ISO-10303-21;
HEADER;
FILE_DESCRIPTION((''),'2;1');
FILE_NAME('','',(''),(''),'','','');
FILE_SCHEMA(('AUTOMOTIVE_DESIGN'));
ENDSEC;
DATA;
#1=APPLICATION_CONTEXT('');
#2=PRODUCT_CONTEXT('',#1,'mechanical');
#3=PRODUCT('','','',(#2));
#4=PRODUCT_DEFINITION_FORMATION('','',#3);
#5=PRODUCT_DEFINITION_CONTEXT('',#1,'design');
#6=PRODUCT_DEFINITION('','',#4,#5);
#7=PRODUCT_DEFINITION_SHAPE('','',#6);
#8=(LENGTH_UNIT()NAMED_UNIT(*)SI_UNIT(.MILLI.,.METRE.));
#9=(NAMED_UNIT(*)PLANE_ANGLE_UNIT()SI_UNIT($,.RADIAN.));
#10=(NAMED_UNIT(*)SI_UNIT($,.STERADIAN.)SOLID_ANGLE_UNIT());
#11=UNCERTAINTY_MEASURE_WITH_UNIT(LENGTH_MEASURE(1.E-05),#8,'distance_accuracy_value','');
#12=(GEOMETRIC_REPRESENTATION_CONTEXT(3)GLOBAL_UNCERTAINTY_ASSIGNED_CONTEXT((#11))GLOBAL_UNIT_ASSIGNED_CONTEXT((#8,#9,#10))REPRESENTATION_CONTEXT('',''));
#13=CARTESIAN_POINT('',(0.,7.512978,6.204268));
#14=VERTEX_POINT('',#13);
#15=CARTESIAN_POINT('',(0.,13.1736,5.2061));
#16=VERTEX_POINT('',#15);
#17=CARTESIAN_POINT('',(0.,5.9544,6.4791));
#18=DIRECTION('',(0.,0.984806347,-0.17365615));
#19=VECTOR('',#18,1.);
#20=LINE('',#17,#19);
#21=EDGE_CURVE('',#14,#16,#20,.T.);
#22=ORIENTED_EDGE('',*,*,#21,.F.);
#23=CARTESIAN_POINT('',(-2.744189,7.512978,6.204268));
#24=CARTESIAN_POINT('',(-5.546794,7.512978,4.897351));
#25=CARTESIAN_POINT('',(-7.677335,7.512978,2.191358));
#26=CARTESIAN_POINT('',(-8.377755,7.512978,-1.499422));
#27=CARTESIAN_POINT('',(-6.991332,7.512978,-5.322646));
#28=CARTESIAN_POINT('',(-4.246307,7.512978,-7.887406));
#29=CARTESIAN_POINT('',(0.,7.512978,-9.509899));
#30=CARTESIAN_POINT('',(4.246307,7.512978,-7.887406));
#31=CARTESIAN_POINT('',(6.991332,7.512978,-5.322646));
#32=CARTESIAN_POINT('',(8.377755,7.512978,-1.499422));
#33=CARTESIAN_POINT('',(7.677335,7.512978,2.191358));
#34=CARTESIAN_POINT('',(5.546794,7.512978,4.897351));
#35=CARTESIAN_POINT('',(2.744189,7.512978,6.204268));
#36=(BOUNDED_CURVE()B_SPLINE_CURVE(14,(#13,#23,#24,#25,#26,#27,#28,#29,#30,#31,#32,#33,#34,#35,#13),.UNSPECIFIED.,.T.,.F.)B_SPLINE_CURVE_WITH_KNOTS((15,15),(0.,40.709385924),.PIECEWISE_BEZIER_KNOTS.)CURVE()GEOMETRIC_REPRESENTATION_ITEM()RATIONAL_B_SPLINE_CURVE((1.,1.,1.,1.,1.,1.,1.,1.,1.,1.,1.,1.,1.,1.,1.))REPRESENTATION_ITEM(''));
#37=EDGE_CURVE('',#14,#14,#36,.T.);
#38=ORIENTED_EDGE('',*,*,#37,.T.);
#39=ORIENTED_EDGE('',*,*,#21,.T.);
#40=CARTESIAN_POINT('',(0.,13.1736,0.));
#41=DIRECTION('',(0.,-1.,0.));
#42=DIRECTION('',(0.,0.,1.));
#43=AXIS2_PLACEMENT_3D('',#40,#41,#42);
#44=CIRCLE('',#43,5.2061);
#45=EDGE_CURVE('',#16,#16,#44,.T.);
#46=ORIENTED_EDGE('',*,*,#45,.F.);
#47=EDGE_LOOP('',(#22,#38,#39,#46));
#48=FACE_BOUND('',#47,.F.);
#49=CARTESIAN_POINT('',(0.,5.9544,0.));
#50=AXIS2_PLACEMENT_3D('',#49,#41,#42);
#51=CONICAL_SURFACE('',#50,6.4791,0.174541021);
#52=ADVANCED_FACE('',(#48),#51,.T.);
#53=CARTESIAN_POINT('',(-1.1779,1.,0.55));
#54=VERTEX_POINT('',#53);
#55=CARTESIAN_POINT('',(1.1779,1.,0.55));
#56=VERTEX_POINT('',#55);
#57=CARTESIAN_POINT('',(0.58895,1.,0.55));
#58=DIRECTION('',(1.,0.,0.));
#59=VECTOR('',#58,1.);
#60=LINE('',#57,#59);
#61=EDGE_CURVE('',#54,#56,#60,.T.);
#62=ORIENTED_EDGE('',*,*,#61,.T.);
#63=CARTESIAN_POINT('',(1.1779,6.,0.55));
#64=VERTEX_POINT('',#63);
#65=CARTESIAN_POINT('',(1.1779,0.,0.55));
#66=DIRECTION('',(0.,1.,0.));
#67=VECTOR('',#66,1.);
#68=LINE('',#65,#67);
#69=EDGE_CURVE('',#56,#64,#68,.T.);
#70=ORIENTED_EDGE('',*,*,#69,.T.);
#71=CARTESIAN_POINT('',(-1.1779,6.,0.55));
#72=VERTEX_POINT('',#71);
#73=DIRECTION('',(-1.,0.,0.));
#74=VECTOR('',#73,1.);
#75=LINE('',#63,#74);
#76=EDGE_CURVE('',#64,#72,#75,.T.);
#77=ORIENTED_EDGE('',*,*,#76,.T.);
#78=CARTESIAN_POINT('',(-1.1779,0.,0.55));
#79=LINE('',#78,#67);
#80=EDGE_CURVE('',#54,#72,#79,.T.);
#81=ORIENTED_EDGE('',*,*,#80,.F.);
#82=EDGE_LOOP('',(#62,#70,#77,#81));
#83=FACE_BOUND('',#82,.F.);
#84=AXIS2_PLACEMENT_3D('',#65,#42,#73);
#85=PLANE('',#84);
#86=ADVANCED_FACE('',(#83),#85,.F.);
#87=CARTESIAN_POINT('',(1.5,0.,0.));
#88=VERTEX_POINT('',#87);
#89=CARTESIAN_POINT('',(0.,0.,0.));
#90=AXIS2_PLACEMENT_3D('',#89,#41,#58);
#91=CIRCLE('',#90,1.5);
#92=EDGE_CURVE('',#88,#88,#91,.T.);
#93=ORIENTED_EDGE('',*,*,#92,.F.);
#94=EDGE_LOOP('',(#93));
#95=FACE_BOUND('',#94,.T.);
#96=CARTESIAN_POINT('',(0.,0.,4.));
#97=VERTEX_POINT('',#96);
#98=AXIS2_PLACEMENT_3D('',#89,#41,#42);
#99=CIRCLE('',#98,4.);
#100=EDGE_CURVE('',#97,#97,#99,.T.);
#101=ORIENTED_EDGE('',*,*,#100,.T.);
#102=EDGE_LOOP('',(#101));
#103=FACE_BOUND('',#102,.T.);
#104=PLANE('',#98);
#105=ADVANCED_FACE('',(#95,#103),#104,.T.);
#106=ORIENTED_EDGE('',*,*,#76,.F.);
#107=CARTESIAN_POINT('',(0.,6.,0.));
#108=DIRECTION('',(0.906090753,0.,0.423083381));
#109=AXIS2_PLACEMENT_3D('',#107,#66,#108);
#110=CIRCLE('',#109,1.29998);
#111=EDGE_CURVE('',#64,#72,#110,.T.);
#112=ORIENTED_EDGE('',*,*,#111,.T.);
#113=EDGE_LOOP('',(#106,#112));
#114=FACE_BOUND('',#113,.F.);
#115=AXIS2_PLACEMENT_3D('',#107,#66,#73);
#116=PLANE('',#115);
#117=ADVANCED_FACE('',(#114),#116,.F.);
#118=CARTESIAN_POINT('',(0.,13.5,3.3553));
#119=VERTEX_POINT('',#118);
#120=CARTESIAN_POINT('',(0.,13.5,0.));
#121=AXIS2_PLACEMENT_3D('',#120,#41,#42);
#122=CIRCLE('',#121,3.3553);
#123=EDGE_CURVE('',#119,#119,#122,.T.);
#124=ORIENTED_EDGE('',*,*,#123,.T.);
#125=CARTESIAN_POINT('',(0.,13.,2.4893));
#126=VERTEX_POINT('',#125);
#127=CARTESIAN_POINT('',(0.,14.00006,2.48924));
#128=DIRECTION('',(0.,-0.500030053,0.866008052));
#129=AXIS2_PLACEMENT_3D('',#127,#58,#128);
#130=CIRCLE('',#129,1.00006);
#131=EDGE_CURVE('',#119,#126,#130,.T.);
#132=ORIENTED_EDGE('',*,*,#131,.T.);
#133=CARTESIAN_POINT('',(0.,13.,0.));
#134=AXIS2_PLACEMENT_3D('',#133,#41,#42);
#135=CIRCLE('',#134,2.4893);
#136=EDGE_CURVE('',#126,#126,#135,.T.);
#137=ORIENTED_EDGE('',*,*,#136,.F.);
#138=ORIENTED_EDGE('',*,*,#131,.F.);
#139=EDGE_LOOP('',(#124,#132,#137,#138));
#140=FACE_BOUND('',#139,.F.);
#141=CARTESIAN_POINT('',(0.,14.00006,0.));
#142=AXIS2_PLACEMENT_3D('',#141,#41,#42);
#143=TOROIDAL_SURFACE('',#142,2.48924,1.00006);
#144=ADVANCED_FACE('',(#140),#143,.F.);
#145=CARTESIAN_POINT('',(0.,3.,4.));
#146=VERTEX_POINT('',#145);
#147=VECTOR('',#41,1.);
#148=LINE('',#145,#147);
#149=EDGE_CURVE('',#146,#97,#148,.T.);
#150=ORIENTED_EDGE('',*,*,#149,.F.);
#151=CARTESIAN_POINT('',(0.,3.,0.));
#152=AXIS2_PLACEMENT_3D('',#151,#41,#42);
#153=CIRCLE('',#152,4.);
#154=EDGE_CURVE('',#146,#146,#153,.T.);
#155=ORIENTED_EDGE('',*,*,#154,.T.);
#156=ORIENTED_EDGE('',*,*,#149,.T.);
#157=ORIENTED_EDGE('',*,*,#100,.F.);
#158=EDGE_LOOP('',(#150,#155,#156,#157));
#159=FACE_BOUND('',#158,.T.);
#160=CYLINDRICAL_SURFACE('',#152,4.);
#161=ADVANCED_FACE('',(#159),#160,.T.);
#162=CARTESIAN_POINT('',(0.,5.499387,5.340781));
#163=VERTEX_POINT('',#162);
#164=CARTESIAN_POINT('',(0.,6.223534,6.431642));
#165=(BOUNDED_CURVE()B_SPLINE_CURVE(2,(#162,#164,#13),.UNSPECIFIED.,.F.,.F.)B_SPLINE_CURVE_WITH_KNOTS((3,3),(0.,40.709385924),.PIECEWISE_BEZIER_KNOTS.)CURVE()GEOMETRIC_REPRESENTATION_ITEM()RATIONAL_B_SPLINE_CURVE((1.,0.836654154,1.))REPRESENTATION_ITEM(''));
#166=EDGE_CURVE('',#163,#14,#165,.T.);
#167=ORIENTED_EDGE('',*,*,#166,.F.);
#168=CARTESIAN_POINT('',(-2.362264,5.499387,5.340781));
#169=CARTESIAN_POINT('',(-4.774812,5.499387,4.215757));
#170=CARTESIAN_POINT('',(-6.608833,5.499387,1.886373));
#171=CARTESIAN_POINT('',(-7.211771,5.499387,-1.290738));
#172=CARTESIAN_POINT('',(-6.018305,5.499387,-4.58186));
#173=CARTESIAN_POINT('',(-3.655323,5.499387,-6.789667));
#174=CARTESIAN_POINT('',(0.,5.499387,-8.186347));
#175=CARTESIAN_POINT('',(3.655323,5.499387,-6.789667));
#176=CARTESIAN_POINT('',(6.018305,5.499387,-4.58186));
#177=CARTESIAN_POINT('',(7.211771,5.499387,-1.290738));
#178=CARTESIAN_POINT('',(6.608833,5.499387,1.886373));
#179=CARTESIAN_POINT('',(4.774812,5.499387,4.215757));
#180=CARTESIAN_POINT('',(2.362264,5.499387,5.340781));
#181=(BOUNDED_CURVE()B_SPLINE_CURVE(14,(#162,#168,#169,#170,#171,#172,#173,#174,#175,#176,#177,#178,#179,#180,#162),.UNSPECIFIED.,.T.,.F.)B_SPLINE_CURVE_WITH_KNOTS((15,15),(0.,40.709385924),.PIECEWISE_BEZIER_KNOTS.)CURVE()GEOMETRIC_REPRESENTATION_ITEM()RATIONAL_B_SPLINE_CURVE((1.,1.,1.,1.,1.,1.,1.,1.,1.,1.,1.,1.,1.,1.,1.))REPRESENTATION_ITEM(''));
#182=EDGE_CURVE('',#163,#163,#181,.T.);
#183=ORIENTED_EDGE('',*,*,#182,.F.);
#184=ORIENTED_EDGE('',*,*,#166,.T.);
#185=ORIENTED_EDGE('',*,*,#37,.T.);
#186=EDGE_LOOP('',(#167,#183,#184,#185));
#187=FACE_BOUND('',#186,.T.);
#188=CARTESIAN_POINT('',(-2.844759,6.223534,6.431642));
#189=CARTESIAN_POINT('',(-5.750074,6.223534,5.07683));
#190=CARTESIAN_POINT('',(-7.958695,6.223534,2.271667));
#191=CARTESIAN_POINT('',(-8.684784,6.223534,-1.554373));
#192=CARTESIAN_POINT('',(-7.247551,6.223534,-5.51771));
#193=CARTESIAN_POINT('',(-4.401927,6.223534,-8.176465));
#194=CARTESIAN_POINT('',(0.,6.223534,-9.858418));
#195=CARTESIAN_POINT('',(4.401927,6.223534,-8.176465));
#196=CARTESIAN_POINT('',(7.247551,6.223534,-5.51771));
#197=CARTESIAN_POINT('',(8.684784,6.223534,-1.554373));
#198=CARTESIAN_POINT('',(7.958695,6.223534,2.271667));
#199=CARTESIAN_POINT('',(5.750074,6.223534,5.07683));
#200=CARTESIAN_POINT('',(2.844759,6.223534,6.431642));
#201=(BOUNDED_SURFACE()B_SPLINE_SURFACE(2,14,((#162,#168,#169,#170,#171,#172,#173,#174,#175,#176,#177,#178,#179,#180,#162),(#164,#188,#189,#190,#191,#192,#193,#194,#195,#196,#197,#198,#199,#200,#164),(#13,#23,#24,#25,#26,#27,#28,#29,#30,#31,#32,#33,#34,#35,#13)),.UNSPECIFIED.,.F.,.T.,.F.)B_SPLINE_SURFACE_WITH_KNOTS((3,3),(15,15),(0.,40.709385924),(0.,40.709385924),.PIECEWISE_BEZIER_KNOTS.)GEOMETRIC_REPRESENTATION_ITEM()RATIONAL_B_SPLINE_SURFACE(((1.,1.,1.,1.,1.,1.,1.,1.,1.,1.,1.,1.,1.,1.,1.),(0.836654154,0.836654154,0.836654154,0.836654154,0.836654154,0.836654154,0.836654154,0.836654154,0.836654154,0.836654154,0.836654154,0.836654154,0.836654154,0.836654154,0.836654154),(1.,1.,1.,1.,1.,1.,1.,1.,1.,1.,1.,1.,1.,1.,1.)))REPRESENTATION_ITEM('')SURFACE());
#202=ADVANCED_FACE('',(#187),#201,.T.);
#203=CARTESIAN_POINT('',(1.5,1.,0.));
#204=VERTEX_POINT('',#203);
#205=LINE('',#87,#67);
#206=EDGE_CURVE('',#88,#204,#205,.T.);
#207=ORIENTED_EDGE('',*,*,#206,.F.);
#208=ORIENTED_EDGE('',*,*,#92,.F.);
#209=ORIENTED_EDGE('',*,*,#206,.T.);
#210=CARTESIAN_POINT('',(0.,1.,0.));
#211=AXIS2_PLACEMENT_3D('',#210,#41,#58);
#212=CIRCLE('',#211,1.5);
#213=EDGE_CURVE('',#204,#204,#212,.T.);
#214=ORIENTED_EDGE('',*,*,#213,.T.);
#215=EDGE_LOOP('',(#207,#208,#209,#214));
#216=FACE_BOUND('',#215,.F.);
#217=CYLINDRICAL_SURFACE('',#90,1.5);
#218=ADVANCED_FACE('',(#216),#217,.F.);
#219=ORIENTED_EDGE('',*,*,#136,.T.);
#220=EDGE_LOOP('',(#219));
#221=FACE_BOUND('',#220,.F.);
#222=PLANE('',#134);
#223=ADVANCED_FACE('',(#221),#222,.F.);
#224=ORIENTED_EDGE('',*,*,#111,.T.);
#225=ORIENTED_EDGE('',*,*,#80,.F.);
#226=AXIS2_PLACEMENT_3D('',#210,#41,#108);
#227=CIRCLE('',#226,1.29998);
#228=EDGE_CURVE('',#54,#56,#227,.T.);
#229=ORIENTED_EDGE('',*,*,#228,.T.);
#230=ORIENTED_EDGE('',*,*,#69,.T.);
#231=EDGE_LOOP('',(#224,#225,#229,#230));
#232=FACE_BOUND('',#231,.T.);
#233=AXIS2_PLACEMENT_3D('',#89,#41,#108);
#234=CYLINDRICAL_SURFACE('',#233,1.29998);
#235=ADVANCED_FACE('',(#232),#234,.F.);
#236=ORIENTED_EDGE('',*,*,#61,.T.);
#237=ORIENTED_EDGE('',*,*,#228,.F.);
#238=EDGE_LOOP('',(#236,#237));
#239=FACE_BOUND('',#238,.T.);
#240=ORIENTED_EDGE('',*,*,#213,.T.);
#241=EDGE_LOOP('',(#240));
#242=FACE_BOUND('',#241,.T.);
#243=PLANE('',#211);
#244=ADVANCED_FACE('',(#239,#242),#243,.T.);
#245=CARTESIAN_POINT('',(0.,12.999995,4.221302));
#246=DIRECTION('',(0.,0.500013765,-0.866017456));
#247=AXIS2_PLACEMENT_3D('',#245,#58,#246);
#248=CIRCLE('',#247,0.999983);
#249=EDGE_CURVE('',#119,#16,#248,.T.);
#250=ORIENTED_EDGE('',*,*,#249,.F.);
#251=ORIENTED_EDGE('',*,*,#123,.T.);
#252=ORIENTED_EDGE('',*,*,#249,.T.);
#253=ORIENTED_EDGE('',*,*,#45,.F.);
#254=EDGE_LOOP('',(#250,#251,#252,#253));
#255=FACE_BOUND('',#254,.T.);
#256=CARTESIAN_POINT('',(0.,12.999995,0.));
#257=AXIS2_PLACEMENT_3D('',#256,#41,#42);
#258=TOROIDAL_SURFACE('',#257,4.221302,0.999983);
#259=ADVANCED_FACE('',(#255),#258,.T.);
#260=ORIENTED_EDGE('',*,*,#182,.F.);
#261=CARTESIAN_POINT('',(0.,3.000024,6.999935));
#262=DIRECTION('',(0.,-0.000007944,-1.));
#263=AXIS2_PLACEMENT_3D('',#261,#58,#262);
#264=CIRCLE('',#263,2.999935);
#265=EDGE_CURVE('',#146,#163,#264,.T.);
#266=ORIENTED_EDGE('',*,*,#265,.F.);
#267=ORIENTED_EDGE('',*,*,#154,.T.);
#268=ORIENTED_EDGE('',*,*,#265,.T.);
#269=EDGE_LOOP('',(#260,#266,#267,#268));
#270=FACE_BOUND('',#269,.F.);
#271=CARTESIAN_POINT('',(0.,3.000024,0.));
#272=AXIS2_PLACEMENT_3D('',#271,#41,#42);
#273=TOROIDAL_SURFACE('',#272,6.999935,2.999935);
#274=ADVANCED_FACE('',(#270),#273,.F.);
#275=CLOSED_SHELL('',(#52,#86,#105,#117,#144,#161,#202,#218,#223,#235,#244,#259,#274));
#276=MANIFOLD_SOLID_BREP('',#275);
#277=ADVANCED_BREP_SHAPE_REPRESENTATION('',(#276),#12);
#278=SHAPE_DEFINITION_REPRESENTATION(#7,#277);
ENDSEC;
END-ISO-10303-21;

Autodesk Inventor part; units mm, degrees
ref_plane "YZ Plane" through (0, 0, 0) normal (1, 0, 0) x (0, 1, 0)
ref_plane "XZ Plane" through (0, 0, 0) normal (0, 1, 0) x (-1, 0, 0)
ref_plane "XY Plane" through (0, 0, 0) normal (0, 0, 1) x (1, 0, 0)
sketch "Skizze2" plane through (0, 0, 0) normal (1, 0, 0) x (0, 1, 0)
  line L0 (13, 0) -> (0, 0)
  line L1 (3, 4) -> (0, 4)
  line L2 (0, 4) -> (0, 0)
  line L3 (5.9544, 6.4791) -> (13.1736, 5.2061)
  line L4 (13.1736, 5.2061) -> (5.9544, 6.4791)
  arc A0 (3, 4) -> (5.9544, 6.4791) centre (3, 7) ccw
  arc A1 (13.5, 3.3553) -> (13.1736, 5.2061) centre (13, 4.2213) ccw
  arc A2 (13.5, 3.3553) -> (13, 2.4893) centre (14, 2.4893) ccw
  line L5 (13, 2.4893) -> (13, 0)
  dimension "d3" = 80
  dimension "d4" = 4
  dimension "d5" = 13
  dimension "d7" = 3
  dimension "d8" = 1
  dimension "d9" = 3
  dimension "d10" = 0
revolve "Umdrehung1" add sketch "Skizze2" angle 360 about axis through (0, 13, 0) along (0, -1, 0)
sketch "Skizze1" plane through (0, 0, 0) normal (0, 1, 0) x (-1, 0, 0)
  arc A0 (-1.1779, 0.55) -> (1.1779, 0.55) centre (0, 0) ccw
  line L0 (-1.1779, 0.55) -> (1.1779, 0.55)
  dimension "d0" = 1.3
  dimension "d1" = 0.55
extrude "Extrusion1" cut sketch "Skizze1" along normal blind 6
sketch "Skizze3" plane through (0, 0, 0) normal (0, -1, 0) x (1, 0, 0)
  arc A0 (-1.1779, 0.55) -> (1.1779, 0.55) centre (0, 0) ccw projected
  circle A1 centre (0, 0) radius 1.5
  point P0 (0, 0)
  dimension "d14" = 3
extrude "Extrusion2" cut sketch "Skizze3" against normal blind 1
fillet "Rundung1" radius 2 1 edges at (0, 5.9544, -6.4791)
properties part number "_3D-Druck"
